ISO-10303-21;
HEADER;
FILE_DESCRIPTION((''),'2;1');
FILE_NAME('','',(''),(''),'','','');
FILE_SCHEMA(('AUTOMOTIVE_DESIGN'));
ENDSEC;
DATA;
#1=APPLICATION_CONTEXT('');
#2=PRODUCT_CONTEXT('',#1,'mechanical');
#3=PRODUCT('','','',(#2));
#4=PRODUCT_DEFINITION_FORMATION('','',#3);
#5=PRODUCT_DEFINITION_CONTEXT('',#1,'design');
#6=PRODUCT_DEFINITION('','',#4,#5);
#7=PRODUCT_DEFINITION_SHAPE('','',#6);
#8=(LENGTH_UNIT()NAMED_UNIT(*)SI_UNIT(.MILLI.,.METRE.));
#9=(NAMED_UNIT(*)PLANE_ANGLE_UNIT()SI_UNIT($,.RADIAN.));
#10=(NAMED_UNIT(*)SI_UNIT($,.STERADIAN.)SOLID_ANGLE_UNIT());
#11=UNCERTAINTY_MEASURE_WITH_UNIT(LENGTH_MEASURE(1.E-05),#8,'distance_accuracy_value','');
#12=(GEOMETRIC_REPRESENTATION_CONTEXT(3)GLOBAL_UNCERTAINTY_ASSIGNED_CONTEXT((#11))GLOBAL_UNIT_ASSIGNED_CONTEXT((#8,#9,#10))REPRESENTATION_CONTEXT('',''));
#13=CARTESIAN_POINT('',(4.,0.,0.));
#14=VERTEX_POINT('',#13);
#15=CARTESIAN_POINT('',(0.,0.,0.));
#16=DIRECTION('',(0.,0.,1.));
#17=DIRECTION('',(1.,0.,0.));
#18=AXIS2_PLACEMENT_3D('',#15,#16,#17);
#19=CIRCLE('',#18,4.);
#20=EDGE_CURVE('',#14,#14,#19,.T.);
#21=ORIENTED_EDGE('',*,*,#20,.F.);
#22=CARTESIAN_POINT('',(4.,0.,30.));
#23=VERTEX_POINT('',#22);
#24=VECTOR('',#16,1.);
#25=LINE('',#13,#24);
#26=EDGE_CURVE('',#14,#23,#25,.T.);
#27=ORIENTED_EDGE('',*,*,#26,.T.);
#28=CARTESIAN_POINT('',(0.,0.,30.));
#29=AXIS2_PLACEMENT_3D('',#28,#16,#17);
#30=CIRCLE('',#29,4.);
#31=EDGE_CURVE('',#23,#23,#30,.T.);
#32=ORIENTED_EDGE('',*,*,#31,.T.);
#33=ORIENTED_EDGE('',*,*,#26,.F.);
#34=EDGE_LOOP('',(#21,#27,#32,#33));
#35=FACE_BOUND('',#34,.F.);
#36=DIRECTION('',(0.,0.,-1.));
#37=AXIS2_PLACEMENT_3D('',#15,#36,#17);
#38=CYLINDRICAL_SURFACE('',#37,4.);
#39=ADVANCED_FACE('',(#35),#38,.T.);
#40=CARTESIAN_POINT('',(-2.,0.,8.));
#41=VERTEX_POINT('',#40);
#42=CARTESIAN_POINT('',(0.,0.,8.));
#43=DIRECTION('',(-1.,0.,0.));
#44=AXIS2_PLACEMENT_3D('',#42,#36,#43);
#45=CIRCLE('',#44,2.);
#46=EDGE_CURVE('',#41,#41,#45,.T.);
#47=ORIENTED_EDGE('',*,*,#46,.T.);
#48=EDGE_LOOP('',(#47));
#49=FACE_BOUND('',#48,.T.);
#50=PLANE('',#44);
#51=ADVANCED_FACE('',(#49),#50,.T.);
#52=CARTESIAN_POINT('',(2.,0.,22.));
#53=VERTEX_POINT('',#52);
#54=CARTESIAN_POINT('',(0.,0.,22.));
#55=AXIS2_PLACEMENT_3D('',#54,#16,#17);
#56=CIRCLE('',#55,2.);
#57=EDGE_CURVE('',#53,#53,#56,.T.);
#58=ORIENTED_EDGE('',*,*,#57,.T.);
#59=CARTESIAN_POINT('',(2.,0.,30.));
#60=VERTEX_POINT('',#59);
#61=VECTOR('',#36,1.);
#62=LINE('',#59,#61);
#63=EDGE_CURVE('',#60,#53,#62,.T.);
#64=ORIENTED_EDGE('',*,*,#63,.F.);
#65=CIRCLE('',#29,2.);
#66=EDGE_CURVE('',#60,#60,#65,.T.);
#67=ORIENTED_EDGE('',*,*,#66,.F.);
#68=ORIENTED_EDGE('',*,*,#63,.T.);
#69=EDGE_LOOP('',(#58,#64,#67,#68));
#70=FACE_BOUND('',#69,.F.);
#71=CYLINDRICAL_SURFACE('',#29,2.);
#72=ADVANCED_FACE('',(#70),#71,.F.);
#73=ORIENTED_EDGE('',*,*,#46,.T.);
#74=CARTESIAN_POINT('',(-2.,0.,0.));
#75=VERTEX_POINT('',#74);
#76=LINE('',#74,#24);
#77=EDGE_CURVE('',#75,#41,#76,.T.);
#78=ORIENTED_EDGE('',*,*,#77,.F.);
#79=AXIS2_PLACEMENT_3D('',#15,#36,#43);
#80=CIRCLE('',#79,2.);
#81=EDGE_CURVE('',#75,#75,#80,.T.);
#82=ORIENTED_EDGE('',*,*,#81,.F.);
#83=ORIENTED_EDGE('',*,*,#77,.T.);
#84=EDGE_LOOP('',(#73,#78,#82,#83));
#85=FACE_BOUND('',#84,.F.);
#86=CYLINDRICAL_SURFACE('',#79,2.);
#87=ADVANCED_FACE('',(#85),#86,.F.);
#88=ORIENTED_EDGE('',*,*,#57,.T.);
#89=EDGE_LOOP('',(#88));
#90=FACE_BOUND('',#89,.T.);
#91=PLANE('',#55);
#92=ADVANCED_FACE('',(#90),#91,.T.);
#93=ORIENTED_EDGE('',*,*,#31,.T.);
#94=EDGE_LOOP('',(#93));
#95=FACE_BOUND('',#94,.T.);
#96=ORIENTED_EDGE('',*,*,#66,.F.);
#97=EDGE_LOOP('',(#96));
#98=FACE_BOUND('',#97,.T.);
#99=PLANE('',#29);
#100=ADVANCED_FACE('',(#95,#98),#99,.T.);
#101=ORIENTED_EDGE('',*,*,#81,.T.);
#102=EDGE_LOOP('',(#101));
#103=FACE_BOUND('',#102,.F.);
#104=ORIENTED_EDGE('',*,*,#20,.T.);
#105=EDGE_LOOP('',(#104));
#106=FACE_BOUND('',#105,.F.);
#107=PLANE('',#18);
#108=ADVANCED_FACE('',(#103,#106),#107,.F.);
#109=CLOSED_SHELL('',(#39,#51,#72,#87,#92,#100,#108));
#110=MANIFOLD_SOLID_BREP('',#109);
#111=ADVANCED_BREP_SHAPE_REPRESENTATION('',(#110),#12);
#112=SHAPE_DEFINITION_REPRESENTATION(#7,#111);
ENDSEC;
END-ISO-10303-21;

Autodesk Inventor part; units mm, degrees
ref_plane "YZ Plane" through (0, 0, 0) normal (1, 0, 0) x (0, 1, 0)
ref_plane "XZ Plane" through (0, 0, 0) normal (0, 1, 0) x (-1, 0, 0)
ref_plane "XY Plane" through (0, 0, 0) normal (0, 0, 1) x (1, 0, 0)
sketch "スケッチ1" plane through (0, 0, 0) normal (0, 0, 1) x (1, 0, 0)
  circle A0 centre (0, 0) radius 4
  circle A1 centre (0, 0) radius 2
  dimension "d0" = 8
  dimension "d1" = 4
extrude "押し出し1" add sketch "スケッチ1" along normal blind 30 contours A0 | A1
sketch "スケッチ2" plane through (0, 0, 30) normal (0, 0, 1) x (1, 0, 0)
  circle A0 centre (0, 0) radius 2
  dimension "d4" = 4
extrude "押し出し2" cut sketch "スケッチ2" against normal blind 8
sketch "スケッチ3" plane through (0, 0, 0) normal (0, 0, -1) x (-1, 0, 0)
  circle A0 centre (0, 0) radius 2
  dimension "d7" = 4
extrude "押し出し3" cut sketch "スケッチ3" against normal blind 8
properties part number "スペーサーm4,30" material "アルミニウム 7075"
